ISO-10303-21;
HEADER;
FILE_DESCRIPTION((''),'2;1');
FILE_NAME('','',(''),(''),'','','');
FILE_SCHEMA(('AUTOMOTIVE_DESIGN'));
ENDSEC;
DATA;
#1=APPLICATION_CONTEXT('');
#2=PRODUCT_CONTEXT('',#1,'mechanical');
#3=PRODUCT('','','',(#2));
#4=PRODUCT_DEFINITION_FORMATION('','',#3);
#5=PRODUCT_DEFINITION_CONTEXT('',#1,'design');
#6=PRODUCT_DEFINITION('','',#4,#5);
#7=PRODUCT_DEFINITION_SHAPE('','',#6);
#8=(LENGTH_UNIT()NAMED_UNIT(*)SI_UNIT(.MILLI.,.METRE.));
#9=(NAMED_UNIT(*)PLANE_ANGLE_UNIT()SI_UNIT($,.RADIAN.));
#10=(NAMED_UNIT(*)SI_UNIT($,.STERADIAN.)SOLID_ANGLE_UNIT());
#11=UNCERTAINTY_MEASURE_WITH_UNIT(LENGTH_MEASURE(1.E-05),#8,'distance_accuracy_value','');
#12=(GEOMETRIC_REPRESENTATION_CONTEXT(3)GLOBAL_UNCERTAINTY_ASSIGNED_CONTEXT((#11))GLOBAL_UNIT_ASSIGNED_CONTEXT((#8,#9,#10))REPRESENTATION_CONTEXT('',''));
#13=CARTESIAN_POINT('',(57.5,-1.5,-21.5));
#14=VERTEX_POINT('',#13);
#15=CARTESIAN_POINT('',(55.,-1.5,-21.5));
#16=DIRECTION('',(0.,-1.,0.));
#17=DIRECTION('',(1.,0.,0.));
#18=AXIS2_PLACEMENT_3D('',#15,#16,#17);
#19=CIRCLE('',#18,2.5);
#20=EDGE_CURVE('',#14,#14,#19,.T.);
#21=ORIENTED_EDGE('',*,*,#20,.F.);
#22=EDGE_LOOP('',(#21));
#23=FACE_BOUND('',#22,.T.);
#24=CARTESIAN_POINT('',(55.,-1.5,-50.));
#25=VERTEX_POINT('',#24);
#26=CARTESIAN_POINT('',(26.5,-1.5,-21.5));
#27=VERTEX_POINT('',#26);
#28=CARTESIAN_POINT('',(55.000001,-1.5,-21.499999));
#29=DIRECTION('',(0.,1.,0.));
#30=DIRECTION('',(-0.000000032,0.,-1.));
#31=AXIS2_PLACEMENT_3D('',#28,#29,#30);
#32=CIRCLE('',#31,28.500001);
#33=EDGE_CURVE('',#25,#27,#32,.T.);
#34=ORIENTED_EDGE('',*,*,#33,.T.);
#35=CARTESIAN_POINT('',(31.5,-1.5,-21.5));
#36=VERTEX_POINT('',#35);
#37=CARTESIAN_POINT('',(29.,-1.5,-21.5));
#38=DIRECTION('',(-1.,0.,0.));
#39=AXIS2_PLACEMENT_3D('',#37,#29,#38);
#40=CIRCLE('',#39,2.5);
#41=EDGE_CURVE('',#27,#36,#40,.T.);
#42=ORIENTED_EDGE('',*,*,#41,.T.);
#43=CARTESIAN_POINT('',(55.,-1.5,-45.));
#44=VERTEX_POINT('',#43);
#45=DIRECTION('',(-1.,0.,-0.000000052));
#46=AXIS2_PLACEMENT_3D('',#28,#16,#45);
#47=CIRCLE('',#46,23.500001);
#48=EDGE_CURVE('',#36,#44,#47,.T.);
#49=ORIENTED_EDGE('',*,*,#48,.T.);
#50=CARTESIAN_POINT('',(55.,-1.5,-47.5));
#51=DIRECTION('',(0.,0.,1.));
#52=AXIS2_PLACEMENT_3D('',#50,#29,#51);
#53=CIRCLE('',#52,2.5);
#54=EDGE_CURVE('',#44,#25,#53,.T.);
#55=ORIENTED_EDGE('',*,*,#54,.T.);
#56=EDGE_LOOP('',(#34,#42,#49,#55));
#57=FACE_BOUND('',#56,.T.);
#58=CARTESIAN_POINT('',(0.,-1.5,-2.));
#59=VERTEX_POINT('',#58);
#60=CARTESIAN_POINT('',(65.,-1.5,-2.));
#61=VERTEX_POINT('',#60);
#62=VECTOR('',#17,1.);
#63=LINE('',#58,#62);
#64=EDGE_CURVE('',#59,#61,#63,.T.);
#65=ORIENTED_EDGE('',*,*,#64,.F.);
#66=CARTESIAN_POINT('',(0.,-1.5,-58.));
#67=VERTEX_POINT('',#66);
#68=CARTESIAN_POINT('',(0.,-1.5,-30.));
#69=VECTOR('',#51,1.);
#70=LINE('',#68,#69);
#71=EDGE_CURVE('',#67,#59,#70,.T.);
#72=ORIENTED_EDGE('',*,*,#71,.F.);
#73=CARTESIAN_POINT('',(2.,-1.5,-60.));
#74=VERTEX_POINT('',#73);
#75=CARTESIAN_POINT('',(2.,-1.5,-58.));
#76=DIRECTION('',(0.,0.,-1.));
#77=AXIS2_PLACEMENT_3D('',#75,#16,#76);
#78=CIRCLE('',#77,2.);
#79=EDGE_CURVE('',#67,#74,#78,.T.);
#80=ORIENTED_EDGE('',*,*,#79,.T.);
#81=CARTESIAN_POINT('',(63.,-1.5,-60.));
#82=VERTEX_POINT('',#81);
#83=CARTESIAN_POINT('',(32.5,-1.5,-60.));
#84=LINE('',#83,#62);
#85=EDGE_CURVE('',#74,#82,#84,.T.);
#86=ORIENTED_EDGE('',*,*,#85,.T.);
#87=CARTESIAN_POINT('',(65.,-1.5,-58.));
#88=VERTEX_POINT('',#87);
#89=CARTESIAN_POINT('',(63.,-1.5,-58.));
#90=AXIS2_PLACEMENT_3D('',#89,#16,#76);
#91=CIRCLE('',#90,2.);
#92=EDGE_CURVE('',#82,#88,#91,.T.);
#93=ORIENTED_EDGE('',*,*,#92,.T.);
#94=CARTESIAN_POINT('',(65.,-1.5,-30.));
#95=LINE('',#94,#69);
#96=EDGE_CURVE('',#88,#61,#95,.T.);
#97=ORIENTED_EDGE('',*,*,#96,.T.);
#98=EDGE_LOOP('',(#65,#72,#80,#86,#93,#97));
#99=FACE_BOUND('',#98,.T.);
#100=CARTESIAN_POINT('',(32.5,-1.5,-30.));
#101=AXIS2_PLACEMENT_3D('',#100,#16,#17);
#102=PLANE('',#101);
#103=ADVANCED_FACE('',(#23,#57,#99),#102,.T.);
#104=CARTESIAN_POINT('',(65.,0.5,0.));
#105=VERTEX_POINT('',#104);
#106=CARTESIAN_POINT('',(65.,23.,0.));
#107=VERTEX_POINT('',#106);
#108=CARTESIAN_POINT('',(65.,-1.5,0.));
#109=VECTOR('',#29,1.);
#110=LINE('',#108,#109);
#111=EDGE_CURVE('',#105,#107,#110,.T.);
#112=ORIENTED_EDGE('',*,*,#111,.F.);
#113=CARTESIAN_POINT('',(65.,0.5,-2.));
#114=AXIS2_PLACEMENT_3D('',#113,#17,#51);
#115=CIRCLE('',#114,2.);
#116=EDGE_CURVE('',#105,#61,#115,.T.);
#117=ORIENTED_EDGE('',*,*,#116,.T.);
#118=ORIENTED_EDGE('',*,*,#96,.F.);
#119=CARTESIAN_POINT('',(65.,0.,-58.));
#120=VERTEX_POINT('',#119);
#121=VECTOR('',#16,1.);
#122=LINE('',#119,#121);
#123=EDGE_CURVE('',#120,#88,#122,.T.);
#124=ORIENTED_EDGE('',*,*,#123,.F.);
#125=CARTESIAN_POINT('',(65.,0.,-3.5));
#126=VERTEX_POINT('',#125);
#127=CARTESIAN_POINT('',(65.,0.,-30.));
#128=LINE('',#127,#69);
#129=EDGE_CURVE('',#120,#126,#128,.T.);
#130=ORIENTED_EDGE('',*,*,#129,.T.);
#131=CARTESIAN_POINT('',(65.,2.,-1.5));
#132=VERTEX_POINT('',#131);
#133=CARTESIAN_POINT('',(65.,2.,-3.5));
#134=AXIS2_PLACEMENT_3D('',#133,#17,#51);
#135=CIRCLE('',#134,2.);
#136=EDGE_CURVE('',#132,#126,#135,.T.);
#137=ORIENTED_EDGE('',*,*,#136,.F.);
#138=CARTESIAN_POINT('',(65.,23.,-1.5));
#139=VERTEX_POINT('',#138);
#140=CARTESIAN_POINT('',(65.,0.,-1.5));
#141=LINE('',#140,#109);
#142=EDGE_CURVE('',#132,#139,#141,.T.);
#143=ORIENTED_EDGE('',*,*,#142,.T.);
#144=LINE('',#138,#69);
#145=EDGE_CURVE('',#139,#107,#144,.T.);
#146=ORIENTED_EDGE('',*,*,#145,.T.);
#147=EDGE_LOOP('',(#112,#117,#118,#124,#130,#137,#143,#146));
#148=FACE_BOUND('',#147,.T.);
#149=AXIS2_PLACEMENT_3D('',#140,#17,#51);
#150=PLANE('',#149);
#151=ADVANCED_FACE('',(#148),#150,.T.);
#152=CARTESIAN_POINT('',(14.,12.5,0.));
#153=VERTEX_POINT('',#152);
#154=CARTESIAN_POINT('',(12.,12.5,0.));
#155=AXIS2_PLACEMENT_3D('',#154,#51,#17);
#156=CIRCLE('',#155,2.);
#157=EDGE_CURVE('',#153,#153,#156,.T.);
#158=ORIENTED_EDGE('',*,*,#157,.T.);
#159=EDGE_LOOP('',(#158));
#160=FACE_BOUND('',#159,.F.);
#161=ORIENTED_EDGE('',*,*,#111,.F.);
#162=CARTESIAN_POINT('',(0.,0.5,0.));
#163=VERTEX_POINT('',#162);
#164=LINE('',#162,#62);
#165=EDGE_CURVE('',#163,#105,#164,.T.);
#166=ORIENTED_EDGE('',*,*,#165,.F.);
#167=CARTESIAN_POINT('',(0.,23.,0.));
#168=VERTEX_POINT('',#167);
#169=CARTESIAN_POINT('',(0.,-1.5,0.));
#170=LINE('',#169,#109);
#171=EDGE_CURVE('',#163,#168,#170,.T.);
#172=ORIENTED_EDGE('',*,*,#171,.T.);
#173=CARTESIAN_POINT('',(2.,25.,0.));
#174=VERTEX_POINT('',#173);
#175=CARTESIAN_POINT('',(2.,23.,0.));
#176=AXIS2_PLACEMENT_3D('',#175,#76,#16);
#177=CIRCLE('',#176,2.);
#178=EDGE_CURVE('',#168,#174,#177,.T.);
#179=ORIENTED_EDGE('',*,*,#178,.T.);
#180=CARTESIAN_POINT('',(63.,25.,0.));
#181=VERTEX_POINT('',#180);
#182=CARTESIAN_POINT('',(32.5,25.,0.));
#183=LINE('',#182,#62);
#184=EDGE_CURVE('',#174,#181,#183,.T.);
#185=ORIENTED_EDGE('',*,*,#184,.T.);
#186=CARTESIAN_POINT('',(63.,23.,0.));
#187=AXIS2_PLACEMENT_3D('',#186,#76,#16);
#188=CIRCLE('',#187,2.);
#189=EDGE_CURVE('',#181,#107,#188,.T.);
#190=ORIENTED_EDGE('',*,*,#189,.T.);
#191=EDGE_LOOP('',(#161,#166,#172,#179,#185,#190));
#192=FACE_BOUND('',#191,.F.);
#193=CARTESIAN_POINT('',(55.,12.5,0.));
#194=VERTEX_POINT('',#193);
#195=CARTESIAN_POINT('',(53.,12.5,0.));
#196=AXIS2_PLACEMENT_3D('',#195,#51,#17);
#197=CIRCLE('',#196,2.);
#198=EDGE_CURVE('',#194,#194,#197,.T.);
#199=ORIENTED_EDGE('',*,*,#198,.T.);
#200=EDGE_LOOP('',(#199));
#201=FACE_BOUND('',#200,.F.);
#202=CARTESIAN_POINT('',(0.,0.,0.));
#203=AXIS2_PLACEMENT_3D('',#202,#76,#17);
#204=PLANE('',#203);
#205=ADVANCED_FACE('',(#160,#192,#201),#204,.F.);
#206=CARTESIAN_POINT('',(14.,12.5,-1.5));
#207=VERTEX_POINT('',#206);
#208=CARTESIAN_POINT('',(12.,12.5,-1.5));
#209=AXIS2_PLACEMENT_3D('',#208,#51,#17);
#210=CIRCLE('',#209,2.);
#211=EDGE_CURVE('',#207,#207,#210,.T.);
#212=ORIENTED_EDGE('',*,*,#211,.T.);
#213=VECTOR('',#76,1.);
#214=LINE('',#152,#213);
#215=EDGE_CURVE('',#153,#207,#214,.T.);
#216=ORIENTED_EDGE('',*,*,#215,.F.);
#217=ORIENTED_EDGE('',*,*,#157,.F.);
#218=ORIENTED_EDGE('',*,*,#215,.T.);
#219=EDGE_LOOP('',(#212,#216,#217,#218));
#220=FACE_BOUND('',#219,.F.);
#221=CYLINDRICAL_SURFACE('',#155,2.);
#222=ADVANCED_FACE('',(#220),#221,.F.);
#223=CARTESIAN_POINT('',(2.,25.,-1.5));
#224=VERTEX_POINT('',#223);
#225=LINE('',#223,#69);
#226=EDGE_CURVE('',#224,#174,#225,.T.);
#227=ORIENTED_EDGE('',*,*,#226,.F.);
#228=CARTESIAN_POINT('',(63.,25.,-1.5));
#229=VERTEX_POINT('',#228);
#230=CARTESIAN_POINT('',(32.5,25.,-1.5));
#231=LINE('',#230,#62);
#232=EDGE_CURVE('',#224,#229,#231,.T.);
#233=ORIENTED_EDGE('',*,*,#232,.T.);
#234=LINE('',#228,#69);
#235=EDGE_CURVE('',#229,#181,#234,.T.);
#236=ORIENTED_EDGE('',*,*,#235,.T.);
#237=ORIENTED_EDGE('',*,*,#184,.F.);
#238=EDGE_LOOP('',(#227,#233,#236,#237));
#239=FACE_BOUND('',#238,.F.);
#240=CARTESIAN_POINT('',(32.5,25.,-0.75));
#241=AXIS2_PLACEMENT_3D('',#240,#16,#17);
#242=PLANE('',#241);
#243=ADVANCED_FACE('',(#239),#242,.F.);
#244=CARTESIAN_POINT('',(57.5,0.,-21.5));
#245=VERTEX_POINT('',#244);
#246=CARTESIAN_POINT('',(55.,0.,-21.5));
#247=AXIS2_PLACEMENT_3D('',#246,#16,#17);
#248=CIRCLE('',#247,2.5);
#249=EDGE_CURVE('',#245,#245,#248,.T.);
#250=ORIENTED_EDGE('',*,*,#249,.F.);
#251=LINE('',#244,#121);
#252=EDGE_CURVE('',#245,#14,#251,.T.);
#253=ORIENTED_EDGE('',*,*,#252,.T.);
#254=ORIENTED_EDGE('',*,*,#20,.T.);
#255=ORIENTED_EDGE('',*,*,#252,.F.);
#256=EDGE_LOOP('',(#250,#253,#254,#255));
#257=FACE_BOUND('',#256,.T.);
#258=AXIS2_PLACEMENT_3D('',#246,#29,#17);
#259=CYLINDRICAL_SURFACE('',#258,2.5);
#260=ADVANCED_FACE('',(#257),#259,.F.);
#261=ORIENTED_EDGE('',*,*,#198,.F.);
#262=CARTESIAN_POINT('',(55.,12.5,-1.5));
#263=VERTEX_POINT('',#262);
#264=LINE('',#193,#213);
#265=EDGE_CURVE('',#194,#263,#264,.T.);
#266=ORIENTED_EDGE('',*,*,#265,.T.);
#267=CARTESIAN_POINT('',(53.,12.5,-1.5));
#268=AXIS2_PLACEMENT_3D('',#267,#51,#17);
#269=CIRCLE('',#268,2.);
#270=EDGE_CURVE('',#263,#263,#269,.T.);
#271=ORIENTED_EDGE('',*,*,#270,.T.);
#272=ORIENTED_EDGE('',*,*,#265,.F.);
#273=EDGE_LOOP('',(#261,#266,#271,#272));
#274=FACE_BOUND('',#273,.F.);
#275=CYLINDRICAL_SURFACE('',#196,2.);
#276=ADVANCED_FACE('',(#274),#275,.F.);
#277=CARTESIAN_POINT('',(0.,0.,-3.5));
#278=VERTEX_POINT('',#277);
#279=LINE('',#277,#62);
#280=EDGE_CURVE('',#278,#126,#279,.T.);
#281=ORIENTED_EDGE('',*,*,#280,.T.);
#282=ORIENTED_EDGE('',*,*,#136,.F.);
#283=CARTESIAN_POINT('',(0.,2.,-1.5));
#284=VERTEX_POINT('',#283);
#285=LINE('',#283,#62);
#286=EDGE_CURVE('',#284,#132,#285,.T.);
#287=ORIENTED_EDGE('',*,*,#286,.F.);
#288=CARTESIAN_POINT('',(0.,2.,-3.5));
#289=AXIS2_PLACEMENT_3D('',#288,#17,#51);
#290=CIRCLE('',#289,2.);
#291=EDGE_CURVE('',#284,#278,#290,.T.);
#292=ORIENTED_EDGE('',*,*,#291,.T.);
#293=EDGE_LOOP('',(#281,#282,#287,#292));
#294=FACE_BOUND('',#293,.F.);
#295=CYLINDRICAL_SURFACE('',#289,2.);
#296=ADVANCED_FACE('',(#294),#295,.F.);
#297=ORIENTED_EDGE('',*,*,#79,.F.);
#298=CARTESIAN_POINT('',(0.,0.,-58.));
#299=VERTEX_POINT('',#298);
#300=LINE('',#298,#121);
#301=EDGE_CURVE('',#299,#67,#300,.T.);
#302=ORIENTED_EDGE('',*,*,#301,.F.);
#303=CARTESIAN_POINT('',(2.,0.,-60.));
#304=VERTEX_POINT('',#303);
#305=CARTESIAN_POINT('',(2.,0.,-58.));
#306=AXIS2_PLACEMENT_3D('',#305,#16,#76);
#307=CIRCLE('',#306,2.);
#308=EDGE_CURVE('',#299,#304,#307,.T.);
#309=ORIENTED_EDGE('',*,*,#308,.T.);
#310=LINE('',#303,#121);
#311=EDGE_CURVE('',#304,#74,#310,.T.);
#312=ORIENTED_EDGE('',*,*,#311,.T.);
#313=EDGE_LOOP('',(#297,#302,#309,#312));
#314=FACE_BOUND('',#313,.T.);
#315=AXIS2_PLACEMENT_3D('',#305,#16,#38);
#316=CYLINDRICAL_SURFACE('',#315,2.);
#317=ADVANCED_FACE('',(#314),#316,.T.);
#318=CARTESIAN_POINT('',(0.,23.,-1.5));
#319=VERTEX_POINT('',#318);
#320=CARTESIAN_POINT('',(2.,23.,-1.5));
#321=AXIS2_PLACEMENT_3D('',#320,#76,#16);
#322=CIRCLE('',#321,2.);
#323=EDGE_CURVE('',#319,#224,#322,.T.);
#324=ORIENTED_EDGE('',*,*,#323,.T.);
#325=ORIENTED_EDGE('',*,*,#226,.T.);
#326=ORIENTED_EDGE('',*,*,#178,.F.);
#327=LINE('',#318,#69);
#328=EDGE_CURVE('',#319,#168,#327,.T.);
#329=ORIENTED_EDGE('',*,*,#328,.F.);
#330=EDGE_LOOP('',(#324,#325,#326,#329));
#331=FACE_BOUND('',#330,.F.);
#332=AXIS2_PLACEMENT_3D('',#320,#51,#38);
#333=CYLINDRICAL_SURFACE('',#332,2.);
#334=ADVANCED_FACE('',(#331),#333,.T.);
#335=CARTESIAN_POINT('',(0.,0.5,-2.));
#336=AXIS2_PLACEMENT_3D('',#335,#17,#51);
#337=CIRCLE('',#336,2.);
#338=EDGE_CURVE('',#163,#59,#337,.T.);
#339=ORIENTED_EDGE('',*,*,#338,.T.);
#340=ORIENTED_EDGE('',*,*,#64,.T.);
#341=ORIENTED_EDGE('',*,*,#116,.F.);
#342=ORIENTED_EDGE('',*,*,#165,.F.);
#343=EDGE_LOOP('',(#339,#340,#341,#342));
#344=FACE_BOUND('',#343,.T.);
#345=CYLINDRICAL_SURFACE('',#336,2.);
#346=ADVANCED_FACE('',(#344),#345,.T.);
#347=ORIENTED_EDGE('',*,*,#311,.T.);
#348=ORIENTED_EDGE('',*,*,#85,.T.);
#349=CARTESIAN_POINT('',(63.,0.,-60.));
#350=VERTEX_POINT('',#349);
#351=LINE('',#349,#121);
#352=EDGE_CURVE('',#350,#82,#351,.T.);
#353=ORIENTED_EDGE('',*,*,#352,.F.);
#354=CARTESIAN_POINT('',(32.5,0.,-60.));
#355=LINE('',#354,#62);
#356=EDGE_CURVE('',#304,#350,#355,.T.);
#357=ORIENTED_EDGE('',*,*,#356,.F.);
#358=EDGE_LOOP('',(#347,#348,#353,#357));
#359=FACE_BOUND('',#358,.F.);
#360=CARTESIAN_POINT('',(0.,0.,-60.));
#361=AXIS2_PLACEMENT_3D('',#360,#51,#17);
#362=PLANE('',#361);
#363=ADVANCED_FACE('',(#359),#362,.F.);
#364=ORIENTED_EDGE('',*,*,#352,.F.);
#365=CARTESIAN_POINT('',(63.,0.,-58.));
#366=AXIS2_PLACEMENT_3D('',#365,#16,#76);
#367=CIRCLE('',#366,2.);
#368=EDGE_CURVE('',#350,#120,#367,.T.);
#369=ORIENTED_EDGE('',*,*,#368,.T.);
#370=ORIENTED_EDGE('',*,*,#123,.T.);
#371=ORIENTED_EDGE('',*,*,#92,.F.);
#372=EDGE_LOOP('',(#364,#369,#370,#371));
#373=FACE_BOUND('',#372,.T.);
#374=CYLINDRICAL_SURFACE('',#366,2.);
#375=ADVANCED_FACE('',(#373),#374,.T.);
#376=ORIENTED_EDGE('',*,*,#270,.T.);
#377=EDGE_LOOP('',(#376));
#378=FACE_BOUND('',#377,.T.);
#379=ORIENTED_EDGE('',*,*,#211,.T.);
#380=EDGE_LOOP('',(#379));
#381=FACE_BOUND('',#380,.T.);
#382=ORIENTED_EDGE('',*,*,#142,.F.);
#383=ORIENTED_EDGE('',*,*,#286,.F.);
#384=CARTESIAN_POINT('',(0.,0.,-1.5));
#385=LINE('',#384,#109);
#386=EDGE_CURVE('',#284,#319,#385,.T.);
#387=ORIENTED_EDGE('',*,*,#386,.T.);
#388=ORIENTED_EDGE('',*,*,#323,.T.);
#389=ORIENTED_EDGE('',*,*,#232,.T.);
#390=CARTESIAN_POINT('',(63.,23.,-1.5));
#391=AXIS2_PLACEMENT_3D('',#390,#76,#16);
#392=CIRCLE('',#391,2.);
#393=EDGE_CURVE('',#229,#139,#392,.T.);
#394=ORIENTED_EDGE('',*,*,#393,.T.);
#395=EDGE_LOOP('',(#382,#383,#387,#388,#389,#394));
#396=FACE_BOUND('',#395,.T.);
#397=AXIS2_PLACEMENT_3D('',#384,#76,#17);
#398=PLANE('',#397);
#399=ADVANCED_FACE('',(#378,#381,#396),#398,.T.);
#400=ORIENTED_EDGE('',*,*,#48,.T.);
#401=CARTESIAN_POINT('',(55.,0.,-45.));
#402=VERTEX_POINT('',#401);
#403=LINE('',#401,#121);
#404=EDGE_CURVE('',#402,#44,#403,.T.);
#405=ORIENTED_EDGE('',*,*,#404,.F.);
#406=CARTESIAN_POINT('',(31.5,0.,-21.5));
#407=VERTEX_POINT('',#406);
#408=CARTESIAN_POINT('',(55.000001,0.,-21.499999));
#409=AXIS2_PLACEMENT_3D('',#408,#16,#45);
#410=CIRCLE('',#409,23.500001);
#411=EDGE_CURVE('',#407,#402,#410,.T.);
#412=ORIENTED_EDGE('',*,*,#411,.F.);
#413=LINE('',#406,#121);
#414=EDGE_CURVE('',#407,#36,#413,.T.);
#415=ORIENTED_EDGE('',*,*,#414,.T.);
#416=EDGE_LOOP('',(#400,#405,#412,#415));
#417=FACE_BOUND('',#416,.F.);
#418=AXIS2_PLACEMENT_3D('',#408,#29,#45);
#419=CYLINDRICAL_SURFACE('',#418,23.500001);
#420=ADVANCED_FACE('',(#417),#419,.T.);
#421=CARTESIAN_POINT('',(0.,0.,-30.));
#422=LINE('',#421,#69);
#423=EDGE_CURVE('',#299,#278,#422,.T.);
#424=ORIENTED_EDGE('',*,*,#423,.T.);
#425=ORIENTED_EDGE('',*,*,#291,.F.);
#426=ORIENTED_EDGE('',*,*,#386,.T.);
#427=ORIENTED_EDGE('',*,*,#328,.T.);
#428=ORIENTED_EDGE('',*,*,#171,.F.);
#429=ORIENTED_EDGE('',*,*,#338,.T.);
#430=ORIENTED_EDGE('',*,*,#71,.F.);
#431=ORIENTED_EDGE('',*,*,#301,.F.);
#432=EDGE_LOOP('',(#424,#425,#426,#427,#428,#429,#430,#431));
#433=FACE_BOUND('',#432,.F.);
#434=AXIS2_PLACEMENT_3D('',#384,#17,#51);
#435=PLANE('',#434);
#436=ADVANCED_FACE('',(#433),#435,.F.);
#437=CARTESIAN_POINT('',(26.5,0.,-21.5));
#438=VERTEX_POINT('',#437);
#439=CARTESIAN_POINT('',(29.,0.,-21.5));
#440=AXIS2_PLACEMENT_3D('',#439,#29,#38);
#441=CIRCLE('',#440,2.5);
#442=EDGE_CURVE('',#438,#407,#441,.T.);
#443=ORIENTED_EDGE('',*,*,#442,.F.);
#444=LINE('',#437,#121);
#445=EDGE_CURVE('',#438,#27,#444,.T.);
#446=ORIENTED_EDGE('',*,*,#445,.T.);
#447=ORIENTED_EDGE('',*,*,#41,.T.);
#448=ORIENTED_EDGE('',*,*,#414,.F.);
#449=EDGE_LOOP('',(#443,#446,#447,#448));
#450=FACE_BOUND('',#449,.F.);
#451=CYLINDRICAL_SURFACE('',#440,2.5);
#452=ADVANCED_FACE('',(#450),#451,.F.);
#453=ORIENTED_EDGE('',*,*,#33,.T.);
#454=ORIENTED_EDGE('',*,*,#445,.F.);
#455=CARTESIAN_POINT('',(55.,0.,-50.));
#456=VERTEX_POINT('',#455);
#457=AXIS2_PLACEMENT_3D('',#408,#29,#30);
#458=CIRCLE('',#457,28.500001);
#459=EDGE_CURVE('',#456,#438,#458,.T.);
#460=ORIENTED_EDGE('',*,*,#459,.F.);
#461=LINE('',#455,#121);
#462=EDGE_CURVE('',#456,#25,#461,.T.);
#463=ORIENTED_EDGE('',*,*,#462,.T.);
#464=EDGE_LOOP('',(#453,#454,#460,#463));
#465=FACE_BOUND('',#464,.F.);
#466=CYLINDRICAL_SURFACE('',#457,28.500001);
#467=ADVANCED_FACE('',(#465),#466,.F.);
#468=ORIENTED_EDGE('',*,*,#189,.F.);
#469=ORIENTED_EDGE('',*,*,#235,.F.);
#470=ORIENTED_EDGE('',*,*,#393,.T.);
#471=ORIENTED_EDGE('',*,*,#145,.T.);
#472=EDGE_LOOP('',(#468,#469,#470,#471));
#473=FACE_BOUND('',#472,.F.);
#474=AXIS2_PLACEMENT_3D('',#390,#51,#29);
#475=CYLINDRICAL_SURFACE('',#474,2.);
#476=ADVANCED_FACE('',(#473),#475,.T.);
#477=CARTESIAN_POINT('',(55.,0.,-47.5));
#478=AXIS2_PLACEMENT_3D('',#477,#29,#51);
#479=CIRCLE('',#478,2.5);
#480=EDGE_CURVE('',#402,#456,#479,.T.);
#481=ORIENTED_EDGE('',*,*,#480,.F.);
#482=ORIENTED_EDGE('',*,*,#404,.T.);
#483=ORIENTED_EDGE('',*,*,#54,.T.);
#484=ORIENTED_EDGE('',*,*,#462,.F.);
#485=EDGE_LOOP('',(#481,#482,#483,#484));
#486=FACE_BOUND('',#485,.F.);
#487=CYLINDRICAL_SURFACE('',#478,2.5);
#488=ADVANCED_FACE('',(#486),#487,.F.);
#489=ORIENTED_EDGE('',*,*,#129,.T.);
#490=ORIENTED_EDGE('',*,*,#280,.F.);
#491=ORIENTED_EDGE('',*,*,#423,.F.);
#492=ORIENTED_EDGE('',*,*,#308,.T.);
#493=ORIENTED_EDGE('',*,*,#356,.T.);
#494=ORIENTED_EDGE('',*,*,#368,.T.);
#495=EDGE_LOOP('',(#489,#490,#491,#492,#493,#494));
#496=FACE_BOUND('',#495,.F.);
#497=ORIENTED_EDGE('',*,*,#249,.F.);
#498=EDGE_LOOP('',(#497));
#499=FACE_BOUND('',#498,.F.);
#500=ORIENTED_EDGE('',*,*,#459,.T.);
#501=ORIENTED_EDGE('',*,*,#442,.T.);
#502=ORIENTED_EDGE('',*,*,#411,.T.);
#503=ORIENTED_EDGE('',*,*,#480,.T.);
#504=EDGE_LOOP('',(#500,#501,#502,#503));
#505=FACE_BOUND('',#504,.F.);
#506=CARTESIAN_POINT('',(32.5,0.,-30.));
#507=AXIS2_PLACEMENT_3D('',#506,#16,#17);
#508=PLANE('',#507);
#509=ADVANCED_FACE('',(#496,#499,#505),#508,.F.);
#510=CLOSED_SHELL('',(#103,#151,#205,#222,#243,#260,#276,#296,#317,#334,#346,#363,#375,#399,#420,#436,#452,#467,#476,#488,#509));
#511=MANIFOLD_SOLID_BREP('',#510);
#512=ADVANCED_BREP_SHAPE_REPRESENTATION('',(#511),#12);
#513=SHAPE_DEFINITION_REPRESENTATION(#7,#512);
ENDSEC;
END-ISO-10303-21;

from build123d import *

# Parameters (mm, degrees)
F1_W     = 65
F1_H     = 60
F1_R     = 2.5
F2_DEPTH = 1.5
F3_W     = 65
F3_H     = 1.5
F4_DEPTH = 25
F5_R     = 2
F6_DEPTH = 25
F7_R     = 2


with BuildPart() as f2:
    # F1 (on face) → F2 (new body)
    with BuildSketch(Plane.XZ):
        with Locations((32.5, -30)):
            Rectangle(F1_W, F1_H)
        with BuildLine():
            ThreePointArc((55, -45), (57.5, -47.5), (55, -50))
            ThreePointArc((55, -50), (34.847457, -41.652543), (26.5, -21.5))
            ThreePointArc((26.5, -21.5), (29, -19), (31.5, -21.5))
            ThreePointArc((31.5, -21.5), (38.382991, -38.117009), (55, -45))
        make_face(mode=Mode.SUBTRACT)
        with Locations((55, -21.5)):
            Circle(F1_R, mode=Mode.SUBTRACT)
    extrude(amount=F2_DEPTH)

    # F3 (on Front) → F4 (join)
    with BuildSketch(Plane.XZ):
        with Locations((32.5, -0.75)):
            Rectangle(F3_W, F3_H)
    extrude(amount=-F4_DEPTH)

    # F5 (on face) → F6 (cut)
    with BuildSketch(Plane.XY):
        with Locations((53, 12.5)):
            Circle(F5_R)
        with Locations((12, 12.5)):
            Circle(F5_R)
    extrude(amount=-F6_DEPTH, mode=Mode.SUBTRACT)

    # F7
    f7_edges = [f2.edges().sort_by_distance(p)[0] for p in [
        (65, -0.75, -60),
        (32.5, 0, -1.5),
        (32.5, -1.5, 0),
        (0, -0.75, -60),
        (0, 25, -0.75),
        (65, 25, -0.75),
    ]]
    fillet(f7_edges, radius=F7_R)


solid = f2.part
